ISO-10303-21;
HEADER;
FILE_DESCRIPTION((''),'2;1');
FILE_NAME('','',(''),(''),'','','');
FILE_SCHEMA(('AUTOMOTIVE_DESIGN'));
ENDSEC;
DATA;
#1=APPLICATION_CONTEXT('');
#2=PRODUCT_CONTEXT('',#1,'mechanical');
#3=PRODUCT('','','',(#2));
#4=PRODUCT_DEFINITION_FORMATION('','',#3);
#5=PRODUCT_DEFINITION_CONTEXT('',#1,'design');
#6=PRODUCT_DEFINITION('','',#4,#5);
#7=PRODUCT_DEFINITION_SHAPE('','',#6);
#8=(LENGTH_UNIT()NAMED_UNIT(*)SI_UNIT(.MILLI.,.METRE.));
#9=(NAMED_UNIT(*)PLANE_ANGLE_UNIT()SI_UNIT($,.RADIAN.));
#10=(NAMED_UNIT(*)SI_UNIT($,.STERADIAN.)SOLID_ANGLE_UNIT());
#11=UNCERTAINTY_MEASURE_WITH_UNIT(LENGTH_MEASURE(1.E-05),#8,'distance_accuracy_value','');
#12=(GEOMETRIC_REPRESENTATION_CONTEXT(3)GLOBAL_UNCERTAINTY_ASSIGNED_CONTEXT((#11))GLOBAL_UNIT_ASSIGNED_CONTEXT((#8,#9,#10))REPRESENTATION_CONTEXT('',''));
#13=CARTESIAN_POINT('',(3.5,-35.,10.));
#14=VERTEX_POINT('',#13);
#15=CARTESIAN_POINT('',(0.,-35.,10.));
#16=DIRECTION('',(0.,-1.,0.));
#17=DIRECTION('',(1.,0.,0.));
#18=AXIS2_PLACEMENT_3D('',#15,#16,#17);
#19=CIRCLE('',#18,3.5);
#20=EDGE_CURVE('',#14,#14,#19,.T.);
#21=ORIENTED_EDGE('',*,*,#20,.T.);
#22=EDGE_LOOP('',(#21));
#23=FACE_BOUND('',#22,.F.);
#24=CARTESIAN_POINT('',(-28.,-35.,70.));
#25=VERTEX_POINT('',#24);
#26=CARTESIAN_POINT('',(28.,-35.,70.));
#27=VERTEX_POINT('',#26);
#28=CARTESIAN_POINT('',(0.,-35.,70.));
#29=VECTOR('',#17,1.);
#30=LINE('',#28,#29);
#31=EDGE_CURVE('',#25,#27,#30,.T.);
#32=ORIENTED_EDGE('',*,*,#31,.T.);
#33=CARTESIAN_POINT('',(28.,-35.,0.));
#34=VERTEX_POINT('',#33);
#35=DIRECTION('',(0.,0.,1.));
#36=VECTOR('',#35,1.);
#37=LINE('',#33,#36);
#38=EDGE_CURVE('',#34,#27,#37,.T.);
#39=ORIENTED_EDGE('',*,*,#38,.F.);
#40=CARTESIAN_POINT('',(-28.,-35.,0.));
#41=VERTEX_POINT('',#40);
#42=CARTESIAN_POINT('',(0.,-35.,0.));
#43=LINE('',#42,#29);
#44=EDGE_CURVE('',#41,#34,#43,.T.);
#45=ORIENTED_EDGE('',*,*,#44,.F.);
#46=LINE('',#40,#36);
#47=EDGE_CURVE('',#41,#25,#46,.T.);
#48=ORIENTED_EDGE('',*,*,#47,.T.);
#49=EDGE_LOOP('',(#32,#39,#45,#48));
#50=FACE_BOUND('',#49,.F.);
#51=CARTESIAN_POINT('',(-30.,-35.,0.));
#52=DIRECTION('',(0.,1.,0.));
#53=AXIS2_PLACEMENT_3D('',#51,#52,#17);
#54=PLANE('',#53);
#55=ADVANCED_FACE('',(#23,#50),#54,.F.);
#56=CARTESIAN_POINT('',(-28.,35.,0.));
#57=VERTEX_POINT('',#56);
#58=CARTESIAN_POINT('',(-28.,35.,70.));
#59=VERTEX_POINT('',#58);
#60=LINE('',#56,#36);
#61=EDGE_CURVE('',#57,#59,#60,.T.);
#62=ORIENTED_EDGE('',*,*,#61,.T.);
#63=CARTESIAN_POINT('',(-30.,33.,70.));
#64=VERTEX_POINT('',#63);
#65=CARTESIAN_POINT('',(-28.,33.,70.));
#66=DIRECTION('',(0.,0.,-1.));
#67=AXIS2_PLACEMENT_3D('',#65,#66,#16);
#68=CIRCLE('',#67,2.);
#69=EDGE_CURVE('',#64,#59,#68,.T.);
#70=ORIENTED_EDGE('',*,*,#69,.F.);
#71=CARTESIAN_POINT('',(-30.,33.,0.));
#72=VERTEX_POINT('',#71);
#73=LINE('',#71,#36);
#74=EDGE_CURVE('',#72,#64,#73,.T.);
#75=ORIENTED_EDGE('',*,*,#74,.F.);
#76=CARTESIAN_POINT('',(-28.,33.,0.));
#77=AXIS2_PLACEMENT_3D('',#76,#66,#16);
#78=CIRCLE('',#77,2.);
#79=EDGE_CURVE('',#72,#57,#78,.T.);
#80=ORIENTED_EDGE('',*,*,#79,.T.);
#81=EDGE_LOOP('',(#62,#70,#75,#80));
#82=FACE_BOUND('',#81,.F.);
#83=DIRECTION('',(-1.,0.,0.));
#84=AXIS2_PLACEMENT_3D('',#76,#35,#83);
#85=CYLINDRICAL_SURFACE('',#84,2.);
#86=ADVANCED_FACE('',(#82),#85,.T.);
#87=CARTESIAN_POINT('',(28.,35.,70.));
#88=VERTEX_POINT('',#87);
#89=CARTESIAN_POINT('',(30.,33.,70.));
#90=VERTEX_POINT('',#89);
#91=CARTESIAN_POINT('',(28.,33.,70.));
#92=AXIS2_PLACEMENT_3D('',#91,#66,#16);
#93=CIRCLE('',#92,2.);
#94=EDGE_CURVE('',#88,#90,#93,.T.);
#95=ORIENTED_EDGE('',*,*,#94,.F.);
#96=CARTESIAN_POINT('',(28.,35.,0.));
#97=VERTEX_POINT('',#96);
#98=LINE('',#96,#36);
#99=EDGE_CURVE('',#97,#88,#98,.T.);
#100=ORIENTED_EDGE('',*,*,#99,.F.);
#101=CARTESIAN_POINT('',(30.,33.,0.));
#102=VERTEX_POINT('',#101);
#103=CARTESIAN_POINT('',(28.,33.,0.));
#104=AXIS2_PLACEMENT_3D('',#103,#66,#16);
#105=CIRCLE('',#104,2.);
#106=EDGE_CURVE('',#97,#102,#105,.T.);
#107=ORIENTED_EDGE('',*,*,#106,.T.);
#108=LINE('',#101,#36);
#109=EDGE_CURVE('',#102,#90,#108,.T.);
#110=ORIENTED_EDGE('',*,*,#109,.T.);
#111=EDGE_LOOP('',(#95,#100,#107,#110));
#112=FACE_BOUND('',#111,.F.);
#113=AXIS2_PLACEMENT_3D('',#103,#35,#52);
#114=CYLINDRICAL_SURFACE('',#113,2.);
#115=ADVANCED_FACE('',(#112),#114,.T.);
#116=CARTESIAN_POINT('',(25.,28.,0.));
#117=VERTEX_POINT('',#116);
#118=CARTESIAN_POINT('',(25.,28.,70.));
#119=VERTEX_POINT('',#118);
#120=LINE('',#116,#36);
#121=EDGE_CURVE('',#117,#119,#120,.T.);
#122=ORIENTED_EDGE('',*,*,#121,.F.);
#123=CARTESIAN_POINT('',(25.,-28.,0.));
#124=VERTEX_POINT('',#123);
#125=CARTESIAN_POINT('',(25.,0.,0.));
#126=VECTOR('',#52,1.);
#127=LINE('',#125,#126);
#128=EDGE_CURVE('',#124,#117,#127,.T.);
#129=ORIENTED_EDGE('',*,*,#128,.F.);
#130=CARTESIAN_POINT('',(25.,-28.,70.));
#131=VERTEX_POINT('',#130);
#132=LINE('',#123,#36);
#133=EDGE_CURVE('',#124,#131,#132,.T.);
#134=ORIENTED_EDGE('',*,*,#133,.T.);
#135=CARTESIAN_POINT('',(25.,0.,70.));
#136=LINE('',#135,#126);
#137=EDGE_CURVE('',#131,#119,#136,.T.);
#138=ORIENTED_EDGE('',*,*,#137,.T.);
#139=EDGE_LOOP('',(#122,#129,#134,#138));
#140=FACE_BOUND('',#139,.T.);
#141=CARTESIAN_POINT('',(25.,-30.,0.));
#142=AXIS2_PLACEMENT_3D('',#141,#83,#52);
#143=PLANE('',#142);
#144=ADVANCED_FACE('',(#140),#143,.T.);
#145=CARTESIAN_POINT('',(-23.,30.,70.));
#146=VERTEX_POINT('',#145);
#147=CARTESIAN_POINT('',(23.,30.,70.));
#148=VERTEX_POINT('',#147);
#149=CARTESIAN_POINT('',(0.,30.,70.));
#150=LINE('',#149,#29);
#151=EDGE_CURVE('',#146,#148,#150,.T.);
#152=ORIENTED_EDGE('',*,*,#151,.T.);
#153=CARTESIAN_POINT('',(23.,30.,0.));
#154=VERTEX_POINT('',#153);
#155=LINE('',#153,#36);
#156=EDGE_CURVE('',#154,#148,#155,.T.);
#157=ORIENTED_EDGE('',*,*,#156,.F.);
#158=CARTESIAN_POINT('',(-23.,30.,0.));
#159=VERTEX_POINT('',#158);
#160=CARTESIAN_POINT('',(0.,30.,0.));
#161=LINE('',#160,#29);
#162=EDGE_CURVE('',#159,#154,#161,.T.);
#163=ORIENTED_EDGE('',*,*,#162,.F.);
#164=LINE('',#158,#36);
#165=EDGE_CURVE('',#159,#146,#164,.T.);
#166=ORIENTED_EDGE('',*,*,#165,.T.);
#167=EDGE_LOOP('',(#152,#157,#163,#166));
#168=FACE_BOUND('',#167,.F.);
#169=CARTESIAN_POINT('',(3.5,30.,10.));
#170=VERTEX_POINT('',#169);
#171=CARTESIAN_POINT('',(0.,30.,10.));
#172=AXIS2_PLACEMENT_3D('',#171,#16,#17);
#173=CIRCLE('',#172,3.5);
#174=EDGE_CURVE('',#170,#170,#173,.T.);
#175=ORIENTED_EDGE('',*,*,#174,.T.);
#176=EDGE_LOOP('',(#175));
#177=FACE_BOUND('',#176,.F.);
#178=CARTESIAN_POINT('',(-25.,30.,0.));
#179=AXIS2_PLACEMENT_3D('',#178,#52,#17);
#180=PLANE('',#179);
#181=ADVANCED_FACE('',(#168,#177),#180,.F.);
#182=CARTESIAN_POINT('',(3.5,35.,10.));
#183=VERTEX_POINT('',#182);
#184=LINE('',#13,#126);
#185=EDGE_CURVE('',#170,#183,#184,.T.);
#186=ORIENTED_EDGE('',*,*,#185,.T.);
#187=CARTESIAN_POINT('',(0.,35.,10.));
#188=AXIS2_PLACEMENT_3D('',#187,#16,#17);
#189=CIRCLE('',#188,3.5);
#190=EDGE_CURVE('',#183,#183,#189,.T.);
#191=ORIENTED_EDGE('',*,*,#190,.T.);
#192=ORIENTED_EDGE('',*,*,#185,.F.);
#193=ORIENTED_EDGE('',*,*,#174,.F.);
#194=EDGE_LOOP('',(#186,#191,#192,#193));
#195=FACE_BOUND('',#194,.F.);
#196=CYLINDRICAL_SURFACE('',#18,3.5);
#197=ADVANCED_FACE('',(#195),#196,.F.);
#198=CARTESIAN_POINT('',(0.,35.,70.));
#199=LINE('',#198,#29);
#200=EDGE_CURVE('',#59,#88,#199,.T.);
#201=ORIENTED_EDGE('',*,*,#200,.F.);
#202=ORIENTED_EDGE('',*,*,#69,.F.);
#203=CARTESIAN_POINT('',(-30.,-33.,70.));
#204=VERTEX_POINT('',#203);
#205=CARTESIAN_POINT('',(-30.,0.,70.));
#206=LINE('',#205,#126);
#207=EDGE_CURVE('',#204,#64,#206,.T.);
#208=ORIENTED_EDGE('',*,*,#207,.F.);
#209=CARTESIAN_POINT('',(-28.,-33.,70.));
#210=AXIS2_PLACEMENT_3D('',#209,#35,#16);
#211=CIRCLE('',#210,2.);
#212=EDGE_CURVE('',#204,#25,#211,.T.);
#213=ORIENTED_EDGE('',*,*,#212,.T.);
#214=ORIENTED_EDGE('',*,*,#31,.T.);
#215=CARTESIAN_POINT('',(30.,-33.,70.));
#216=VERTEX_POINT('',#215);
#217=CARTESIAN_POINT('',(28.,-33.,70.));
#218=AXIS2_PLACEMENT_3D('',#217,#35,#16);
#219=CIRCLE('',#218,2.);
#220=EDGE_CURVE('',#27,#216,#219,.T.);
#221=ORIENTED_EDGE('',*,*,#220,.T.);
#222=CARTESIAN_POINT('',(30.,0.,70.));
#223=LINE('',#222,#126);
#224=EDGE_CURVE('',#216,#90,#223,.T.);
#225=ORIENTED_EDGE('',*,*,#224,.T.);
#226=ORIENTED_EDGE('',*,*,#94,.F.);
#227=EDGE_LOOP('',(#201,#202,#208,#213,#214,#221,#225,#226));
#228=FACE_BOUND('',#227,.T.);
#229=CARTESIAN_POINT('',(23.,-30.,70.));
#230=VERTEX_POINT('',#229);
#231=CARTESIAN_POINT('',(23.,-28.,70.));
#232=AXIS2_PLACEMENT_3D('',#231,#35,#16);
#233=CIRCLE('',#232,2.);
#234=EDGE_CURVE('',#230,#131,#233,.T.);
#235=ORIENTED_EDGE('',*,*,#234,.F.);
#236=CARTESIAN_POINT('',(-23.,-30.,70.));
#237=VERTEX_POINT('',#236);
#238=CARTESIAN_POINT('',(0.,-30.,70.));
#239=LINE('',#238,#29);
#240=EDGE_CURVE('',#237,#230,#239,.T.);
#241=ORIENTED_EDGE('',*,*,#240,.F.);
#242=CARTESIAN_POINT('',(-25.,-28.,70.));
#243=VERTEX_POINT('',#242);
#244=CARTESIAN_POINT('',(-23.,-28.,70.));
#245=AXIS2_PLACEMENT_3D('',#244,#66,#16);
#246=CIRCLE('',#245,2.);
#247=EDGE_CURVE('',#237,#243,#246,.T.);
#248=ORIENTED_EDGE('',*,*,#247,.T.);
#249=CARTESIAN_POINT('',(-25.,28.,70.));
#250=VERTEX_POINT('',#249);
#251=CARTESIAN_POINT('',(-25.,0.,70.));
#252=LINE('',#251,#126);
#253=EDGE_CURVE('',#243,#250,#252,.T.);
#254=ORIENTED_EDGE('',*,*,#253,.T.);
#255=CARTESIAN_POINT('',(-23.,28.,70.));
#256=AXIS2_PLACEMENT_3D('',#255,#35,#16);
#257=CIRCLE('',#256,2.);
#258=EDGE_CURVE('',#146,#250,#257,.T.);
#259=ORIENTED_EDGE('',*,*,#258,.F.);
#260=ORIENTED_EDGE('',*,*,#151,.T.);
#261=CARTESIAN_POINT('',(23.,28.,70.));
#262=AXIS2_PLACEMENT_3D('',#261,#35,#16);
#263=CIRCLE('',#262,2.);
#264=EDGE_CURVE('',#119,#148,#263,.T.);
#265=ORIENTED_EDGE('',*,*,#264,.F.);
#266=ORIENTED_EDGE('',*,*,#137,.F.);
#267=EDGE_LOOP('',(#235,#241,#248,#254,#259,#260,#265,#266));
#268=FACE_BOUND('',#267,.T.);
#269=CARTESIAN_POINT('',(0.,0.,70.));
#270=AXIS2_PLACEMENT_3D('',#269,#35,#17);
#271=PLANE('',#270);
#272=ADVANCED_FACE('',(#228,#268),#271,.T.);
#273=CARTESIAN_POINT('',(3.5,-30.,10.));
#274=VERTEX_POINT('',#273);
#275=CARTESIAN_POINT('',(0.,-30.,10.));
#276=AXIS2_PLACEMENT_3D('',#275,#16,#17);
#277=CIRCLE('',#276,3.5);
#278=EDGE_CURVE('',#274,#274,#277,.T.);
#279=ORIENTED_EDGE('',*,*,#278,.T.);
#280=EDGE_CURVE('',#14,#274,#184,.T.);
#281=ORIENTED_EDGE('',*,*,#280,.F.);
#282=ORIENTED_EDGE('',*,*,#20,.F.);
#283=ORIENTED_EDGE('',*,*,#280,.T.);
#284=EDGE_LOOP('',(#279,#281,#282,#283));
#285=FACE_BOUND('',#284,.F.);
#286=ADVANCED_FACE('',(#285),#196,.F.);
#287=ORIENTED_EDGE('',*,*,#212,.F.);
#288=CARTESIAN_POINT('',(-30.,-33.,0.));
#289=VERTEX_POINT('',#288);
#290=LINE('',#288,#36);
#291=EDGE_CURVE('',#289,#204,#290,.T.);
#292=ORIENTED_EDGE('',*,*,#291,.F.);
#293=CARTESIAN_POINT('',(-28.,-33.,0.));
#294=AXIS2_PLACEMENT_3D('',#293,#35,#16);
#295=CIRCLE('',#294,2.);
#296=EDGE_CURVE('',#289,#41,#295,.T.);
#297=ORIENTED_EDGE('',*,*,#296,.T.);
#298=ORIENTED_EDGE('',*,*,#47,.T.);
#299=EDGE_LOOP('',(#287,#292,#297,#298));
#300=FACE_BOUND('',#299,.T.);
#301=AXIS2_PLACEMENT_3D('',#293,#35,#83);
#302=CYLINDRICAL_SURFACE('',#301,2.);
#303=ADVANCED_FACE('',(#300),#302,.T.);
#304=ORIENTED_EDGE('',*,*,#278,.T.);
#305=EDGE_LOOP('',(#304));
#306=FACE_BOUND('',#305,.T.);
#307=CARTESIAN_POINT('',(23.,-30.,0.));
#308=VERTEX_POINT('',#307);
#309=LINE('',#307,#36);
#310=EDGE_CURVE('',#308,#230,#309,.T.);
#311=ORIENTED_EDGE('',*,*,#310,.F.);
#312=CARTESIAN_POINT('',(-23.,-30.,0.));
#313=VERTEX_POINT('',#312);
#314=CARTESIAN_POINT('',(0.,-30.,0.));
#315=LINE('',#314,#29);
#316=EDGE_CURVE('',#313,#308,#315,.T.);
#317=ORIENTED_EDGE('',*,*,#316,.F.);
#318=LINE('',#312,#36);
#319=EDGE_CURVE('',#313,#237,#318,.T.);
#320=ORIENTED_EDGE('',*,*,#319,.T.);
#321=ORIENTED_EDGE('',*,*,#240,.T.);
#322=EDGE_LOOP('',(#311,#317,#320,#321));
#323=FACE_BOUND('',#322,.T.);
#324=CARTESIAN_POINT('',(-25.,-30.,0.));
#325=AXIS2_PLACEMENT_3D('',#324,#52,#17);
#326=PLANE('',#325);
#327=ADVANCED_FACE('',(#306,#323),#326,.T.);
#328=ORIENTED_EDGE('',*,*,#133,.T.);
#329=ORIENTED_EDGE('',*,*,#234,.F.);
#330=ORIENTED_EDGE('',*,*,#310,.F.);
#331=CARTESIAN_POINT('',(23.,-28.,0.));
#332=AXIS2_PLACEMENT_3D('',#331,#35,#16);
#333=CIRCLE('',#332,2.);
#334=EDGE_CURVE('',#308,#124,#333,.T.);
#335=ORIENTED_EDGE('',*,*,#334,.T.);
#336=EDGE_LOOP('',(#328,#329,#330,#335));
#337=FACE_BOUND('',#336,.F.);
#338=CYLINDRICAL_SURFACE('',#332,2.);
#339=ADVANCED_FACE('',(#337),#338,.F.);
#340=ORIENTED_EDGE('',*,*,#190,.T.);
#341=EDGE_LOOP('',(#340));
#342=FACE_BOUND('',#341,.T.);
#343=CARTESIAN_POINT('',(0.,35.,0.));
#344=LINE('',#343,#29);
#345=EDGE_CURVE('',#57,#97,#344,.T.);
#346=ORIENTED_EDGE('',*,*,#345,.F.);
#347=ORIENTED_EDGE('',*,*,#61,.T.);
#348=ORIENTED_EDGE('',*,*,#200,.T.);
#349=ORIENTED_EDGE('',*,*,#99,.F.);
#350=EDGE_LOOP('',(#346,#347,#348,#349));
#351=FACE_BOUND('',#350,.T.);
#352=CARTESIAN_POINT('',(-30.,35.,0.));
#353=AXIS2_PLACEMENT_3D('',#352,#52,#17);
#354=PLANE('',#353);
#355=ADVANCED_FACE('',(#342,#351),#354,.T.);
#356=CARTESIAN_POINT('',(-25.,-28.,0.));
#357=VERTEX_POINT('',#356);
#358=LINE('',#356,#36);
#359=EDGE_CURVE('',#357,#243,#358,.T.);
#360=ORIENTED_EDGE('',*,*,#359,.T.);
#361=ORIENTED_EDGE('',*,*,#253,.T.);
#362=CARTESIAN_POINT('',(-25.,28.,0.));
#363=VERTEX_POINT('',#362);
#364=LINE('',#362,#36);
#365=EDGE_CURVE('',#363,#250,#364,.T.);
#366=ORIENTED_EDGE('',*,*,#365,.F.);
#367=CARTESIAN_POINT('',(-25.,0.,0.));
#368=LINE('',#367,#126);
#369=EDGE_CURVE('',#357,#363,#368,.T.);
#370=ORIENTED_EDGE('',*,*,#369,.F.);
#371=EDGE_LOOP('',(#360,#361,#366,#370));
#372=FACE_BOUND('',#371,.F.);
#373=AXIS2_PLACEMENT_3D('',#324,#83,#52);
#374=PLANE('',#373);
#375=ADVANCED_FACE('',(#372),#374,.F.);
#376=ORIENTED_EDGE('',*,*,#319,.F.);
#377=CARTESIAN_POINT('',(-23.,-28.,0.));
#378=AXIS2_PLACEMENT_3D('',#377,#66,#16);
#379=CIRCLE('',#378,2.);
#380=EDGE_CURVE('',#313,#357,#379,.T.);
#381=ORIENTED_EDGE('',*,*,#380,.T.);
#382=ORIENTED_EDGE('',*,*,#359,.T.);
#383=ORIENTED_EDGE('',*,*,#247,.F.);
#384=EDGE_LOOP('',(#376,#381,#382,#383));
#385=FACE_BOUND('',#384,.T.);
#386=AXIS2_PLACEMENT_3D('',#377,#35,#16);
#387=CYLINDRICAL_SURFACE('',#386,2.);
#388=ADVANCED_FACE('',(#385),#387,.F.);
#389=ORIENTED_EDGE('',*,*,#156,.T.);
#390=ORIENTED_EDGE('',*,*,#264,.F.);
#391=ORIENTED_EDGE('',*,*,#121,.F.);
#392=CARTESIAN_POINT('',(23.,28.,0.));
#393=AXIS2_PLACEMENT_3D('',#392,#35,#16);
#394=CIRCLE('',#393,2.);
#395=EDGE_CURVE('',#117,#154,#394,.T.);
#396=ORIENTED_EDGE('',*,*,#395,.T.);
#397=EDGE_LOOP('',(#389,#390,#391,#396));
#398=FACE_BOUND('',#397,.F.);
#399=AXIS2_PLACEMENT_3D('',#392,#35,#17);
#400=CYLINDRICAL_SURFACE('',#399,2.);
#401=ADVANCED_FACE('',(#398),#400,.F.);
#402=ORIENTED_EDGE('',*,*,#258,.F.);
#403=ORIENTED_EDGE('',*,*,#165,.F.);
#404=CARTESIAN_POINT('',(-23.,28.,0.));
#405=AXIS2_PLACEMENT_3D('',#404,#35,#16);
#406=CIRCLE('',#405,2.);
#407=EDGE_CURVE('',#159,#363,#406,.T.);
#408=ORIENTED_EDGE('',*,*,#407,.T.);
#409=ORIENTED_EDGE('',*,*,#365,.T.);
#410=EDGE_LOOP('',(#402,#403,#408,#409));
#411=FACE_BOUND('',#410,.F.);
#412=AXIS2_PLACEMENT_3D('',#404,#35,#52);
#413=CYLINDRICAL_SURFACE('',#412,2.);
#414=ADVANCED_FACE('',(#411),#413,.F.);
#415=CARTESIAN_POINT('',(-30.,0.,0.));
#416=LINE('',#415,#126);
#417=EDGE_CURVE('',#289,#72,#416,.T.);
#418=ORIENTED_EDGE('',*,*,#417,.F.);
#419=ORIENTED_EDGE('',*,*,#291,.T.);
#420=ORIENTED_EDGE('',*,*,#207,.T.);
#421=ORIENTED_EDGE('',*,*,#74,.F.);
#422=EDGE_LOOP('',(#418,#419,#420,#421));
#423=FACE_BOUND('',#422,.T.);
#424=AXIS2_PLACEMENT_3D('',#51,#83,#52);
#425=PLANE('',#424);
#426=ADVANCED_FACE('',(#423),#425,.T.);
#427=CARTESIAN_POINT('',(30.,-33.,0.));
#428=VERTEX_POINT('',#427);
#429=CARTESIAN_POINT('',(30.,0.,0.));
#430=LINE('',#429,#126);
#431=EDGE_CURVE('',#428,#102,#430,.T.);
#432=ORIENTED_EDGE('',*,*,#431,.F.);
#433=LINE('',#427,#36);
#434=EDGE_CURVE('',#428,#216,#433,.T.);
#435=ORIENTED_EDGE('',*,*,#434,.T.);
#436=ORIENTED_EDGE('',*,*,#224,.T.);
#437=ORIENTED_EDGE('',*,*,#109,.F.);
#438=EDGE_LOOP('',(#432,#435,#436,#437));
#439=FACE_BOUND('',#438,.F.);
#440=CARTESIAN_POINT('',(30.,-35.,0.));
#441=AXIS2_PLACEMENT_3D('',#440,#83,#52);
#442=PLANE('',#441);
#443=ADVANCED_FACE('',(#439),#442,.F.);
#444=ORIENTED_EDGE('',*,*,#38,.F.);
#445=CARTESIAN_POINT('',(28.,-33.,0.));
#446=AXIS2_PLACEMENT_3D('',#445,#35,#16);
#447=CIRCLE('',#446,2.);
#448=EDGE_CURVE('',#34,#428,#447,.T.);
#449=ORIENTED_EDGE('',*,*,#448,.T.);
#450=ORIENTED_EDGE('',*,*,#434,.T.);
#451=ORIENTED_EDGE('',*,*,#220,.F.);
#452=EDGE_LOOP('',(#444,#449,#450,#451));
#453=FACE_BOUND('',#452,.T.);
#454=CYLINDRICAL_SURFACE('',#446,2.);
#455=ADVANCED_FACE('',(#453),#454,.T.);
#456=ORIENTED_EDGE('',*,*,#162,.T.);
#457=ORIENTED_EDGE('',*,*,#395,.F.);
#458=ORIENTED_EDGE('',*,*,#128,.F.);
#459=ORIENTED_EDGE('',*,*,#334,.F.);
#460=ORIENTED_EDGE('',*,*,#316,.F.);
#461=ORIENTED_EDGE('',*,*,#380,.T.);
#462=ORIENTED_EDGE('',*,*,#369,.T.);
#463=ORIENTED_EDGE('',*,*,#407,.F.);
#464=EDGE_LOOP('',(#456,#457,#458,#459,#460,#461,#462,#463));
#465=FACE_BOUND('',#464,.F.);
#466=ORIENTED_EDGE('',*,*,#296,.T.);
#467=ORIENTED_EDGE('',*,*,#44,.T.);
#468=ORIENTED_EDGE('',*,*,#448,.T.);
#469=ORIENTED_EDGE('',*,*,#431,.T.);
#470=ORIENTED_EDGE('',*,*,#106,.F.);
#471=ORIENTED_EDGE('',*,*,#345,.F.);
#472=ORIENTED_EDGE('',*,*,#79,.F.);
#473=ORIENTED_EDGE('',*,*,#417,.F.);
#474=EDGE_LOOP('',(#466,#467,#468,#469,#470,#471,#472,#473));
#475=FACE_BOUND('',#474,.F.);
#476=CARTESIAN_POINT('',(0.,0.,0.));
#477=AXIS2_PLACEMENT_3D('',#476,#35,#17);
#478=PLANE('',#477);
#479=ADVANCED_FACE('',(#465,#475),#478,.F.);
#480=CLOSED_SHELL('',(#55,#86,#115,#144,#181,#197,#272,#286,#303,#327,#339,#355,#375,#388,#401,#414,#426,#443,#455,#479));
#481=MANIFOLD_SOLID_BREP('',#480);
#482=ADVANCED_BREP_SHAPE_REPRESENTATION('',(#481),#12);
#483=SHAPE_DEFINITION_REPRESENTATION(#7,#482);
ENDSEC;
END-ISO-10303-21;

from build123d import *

# Parameters (mm, degrees)
F0_W     = 60
F0_H     = 70
F0_W_2   = 50
F0_H_2   = 60
F1_DEPTH = 70
F2_R     = 2
F3_R     = 3.5
F4_DEPTH = 70


with BuildPart() as f1:
    # F0 (on Top) → F1 (new body)
    with BuildSketch(Plane.XY):
        Rectangle(F0_W, F0_H)
        Rectangle(F0_W_2, F0_H_2, mode=Mode.SUBTRACT)
    extrude(amount=F1_DEPTH)

    # F2
    f2_edges = [f1.edges().sort_by_distance(p)[0] for p in [
        (-30, 35, 35),
        (30, 35, 35),
        (30, -35, 35),
        (-30, -35, 35),
        (25, 30, 35),
        (-25, -30, 35),
        (-25, 30, 35),
        (25, -30, 35),
    ]]
    fillet(f2_edges, radius=F2_R)

    # F3 (on face) → F4 (cut)
    with BuildSketch(Plane.XZ.offset(35)):
        with Locations((0, 10)):
            Circle(F3_R)
    extrude(amount=-F4_DEPTH, mode=Mode.SUBTRACT)


solid = f1.part
